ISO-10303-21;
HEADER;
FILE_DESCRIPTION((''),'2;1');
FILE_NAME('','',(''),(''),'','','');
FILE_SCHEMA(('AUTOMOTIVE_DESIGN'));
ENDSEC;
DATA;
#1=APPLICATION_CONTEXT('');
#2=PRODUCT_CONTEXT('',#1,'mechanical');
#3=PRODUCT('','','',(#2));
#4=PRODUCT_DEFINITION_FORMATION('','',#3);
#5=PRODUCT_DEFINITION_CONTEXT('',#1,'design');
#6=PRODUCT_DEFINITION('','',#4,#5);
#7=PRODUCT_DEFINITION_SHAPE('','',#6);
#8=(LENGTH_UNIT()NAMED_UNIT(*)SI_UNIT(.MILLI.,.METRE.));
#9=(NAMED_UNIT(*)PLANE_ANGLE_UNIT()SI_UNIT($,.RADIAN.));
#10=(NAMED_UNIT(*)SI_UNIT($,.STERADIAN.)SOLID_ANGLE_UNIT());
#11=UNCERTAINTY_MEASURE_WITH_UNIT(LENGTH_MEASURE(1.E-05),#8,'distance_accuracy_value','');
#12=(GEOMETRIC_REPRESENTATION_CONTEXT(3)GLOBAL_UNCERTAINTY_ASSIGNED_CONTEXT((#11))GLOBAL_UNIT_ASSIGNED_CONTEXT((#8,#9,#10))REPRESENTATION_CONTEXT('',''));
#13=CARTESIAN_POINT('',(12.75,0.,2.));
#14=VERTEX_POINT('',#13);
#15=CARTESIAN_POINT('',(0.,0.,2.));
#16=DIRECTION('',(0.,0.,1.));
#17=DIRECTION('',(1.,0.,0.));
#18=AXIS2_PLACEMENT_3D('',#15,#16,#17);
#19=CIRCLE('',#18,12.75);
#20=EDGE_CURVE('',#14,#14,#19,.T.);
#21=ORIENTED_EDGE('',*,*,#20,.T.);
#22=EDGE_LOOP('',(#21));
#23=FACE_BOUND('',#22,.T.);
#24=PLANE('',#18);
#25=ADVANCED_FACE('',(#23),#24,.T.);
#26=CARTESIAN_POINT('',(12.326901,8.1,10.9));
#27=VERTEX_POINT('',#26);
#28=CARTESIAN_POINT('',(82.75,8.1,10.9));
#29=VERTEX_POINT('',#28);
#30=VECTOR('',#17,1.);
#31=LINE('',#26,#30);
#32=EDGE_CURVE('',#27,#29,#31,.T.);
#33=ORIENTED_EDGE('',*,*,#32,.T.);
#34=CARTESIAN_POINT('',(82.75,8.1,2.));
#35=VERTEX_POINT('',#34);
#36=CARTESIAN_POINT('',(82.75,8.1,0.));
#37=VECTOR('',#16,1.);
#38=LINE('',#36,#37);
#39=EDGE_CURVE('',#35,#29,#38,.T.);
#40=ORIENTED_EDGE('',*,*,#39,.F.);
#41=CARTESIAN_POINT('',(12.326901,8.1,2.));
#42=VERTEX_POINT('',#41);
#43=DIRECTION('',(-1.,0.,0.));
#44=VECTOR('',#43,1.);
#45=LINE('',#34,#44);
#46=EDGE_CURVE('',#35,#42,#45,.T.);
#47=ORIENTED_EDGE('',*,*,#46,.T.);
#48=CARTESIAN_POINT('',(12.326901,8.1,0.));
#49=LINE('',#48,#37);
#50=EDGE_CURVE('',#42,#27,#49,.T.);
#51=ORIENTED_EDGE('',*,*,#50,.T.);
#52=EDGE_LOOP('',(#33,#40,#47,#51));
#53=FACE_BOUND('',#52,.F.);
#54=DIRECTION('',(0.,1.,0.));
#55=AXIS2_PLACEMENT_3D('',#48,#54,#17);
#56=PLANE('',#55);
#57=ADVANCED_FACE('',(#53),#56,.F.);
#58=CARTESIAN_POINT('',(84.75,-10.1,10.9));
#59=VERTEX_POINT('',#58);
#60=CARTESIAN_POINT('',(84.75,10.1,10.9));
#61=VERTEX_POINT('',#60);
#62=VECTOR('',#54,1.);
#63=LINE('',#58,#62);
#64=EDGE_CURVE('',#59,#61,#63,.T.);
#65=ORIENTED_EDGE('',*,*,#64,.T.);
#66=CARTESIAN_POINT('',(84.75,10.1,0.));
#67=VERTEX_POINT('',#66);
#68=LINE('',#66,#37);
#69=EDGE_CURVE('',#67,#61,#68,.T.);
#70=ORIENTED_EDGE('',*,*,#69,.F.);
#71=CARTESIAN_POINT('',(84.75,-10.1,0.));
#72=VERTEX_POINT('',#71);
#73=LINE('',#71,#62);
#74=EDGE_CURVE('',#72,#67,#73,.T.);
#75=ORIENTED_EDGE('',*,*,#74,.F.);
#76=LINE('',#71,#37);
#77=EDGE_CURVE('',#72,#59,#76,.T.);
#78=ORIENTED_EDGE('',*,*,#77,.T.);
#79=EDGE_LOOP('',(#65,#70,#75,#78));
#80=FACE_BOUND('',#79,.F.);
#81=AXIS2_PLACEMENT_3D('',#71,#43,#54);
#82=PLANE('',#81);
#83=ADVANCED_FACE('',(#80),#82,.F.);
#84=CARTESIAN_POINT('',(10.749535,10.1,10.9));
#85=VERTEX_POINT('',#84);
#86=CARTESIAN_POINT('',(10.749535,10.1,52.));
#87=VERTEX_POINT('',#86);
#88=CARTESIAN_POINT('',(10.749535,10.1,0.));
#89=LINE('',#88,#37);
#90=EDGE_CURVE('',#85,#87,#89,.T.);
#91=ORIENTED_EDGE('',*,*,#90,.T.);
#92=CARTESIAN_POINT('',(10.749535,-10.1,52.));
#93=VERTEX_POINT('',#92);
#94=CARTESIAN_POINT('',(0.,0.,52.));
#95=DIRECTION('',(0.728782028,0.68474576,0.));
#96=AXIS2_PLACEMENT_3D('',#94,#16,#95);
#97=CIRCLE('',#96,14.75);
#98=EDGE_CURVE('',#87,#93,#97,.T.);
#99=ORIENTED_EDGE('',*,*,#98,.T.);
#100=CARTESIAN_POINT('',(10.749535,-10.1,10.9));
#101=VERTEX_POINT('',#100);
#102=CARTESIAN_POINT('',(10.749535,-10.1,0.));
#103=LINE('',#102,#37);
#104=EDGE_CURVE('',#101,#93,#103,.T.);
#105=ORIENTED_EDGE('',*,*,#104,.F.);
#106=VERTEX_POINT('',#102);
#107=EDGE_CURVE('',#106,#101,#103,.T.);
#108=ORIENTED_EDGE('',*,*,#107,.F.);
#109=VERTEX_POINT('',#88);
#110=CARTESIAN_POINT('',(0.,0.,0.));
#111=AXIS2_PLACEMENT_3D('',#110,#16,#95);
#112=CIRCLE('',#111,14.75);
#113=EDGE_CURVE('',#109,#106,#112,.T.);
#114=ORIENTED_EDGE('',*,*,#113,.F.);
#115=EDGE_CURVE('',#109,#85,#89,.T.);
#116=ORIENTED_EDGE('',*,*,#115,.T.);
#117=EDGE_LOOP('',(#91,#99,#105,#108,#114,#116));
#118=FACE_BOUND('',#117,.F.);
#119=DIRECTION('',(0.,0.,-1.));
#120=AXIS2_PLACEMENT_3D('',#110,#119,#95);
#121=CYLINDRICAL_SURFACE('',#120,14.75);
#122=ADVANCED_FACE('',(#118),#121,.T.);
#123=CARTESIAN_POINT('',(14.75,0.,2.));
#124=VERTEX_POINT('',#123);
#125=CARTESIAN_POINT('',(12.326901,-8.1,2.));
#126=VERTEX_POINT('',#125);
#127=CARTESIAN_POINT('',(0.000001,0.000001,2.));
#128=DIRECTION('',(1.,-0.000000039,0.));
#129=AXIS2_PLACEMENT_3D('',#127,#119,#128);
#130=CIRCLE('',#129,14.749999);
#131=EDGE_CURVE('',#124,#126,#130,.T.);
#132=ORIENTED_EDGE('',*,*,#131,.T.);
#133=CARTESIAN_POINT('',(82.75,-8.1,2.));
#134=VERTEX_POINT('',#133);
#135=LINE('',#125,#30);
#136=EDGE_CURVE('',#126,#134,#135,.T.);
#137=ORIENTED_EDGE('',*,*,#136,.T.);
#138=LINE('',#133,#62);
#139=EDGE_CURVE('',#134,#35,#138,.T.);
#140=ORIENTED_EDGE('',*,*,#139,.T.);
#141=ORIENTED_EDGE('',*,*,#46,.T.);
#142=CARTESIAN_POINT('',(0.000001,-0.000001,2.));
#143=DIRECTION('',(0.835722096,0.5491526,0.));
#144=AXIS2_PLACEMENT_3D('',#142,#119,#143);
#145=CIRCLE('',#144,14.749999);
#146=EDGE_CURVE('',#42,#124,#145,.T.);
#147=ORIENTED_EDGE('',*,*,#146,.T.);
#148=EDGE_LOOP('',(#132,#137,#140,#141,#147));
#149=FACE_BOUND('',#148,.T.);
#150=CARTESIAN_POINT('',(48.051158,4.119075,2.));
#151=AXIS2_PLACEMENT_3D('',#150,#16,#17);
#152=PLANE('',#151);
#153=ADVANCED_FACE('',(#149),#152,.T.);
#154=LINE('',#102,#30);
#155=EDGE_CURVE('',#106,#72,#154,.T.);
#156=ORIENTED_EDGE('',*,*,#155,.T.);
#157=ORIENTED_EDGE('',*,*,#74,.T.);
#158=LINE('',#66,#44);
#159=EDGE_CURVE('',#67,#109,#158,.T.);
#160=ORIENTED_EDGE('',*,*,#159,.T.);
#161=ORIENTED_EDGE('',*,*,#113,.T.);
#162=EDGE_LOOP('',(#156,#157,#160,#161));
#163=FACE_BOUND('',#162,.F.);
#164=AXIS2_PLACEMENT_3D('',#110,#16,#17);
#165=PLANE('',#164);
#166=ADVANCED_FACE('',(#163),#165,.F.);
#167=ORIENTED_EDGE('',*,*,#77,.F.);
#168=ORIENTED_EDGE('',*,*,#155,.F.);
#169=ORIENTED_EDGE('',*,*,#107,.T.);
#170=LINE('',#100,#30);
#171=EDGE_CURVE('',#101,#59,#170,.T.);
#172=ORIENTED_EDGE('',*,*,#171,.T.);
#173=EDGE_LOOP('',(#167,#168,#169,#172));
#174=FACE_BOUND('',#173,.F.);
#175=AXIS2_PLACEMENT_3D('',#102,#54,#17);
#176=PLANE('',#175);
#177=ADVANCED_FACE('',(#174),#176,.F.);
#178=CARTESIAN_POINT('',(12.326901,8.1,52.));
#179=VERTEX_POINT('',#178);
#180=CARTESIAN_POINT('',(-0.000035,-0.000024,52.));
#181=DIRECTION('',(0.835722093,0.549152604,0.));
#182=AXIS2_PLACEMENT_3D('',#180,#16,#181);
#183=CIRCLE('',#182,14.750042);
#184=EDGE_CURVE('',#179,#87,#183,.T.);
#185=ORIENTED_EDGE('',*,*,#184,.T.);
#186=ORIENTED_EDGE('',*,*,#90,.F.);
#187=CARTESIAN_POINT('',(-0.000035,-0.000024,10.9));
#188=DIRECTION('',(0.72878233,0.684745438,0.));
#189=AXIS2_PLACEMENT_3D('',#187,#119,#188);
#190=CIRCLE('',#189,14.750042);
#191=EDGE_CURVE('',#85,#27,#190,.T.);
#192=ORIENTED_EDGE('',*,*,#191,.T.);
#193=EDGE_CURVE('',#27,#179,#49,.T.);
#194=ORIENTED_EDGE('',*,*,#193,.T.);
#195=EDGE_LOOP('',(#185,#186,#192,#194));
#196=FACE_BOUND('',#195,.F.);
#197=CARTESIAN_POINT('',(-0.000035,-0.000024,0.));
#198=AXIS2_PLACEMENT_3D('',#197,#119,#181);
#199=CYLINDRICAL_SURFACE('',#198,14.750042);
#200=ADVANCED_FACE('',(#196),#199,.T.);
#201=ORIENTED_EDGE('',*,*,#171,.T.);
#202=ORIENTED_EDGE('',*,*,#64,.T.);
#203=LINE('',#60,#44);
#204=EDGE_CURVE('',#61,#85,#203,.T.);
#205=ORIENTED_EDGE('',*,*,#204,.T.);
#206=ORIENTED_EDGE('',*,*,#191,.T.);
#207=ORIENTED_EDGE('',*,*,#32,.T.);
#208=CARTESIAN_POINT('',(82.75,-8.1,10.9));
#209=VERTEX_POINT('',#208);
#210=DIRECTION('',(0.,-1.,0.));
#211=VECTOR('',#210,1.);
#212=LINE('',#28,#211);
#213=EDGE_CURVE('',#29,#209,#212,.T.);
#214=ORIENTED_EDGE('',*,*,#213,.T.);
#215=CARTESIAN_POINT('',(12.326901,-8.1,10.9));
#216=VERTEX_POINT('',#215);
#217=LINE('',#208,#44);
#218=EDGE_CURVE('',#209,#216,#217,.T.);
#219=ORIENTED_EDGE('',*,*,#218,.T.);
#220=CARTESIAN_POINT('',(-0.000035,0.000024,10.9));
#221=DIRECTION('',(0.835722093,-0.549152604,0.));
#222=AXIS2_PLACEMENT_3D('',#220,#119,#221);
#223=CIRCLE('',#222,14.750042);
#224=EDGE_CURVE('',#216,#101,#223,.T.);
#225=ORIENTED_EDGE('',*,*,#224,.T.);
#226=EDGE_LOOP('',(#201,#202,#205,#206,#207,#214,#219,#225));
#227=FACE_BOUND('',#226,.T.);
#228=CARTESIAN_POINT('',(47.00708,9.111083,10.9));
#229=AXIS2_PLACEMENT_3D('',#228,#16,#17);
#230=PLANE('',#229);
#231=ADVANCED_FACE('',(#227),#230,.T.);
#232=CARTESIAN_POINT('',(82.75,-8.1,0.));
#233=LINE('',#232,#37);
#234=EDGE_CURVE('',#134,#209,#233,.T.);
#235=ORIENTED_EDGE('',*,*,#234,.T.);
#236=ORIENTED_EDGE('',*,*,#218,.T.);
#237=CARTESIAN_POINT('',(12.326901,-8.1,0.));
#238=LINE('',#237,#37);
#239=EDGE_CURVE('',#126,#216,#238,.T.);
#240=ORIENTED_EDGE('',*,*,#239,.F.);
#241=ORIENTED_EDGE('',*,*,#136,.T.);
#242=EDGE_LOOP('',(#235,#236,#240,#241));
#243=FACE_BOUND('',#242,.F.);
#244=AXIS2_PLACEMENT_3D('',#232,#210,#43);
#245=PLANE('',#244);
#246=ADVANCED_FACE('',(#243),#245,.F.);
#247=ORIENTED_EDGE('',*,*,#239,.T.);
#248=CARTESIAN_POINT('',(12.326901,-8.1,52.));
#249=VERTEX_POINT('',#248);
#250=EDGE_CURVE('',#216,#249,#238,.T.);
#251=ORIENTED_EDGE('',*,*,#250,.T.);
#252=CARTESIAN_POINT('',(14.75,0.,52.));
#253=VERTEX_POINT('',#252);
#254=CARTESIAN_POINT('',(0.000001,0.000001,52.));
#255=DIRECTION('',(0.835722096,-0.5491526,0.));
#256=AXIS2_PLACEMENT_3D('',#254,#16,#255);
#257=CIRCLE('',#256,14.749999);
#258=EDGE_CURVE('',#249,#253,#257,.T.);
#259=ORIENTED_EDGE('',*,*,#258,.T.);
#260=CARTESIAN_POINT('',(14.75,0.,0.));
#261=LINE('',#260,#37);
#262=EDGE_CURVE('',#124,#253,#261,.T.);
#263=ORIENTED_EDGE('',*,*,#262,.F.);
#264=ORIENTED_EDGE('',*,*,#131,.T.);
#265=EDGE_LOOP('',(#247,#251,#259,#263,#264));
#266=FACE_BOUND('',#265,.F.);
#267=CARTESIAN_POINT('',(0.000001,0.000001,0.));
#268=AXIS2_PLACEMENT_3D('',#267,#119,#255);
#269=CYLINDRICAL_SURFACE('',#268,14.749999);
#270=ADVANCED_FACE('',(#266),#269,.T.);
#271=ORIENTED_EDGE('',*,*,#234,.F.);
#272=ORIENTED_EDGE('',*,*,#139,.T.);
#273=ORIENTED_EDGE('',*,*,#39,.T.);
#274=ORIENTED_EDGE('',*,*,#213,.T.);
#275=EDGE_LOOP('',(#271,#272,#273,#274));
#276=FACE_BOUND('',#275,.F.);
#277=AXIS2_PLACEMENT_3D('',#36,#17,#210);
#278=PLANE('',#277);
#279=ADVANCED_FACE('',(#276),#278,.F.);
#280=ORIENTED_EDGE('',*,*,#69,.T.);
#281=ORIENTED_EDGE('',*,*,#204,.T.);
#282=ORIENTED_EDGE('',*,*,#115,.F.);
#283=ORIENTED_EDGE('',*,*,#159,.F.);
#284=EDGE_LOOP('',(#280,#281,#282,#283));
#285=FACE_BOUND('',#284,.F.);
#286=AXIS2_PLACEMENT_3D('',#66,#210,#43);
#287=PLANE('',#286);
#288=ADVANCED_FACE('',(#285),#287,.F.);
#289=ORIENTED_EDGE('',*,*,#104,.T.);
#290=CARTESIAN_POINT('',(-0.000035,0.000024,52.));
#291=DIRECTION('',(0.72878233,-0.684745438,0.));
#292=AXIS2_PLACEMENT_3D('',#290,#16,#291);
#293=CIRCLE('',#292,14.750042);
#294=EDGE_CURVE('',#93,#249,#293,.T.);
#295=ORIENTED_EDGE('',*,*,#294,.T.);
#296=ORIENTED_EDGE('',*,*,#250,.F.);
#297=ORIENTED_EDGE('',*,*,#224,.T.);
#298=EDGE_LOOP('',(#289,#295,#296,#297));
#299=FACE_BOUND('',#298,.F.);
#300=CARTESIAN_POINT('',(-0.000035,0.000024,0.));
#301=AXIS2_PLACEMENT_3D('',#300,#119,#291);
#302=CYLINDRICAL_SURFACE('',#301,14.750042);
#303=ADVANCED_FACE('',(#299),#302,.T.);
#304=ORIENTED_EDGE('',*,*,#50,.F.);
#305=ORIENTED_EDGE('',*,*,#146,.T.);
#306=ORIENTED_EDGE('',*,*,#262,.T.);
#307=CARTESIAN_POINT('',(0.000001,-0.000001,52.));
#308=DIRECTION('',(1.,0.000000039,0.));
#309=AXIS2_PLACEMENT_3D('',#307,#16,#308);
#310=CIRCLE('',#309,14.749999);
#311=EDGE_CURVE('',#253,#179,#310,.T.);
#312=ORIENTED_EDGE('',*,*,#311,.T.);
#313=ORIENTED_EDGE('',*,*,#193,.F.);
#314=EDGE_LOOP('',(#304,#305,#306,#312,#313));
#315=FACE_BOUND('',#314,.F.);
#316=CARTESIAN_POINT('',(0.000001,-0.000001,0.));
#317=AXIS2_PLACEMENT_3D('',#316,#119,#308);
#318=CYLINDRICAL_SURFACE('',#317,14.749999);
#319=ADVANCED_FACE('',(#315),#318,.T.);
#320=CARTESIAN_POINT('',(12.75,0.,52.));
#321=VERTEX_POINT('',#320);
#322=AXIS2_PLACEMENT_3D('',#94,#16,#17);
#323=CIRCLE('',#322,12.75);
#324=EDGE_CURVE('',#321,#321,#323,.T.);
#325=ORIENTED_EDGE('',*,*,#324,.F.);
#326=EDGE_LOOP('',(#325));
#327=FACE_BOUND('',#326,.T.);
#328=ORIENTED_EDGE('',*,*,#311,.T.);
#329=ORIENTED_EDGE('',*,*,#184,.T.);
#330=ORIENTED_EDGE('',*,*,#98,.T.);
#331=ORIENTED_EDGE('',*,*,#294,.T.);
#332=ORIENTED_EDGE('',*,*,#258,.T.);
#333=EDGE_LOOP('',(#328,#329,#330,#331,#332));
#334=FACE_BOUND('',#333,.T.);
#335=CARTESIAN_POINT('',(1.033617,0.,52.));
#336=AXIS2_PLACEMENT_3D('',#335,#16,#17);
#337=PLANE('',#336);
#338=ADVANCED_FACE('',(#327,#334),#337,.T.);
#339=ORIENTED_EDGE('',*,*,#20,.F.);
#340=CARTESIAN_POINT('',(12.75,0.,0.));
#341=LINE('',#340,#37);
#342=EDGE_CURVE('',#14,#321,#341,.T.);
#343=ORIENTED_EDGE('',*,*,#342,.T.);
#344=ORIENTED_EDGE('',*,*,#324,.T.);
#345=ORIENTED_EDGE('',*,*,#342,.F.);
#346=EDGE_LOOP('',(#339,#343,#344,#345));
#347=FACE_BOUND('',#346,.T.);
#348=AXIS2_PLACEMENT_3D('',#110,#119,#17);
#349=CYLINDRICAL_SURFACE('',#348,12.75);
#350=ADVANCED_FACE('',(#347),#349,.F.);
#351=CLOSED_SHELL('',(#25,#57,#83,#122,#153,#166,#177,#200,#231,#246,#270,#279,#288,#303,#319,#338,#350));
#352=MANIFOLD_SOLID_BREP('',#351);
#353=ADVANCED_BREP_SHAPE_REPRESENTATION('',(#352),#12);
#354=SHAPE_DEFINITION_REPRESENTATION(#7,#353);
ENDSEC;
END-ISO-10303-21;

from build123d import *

# Parameters (mm, degrees)
F1_DEPTH = 10.9
F0_R     = 12.75
F2_DEPTH = 52
F3_DEPTH = 2
F4_DEPTH = 2


with BuildPart() as f1:
    # F0 (on Top) → F1 (new body)
    with BuildSketch(Plane.XY):
        with BuildLine():
            ThreePointArc((10.749535, 10.1), (11.581471, 9.134113), (12.326901, 8.1))
            Line((12.326901, 8.1), (82.75, 8.1))
            Line((82.75, 8.1), (82.75, 10.1))
            Line((82.75, 10.1), (10.749535, 10.1))
        make_face()
        Polygon((82.75, 8.1), (82.75, 0), (82.75, -8.1), (82.75, -10.1), (84.75, -10.1), (84.75, 10.1), (82.75, 10.1), align=None)
        with BuildLine():
            Line((82.75, -8.1), (12.326901, -8.1))
            ThreePointArc((12.326901, -8.1), (11.581471, -9.134113), (10.749535, -10.1))
            Line((10.749535, -10.1), (82.75, -10.1))
            Line((82.75, -10.1), (82.75, -8.1))
        make_face()
    extrude(amount=F1_DEPTH)

    # F0 (on Top) → F2 (join)
    with BuildSketch(Plane.XY):
        with BuildLine():
            ThreePointArc((12.326901, -8.1), (14.131247, -4.227334), (14.75, 0))
            ThreePointArc((14.75, 0), (14.131247, 4.227334), (12.326901, 8.1))
            ThreePointArc((12.326901, 8.1), (11.581471, 9.134113), (10.749535, 10.1))
            ThreePointArc((10.749535, 10.1), (-14.75, 0), (10.749535, -10.1))
            ThreePointArc((10.749535, -10.1), (11.581471, -9.134113), (12.326901, -8.1))
        make_face()
        Circle(F0_R, mode=Mode.SUBTRACT)
    extrude(amount=F2_DEPTH)

    # F0 (on Top) → F3 (join)
    with BuildSketch(Plane.XY):
        with BuildLine():
            ThreePointArc((12.326901, 8.1), (14.131247, 4.227334), (14.75, 0))
            Line((14.75, 0), (82.75, 0))
            Line((82.75, 0), (82.75, 8.1))
            Line((82.75, 8.1), (12.326901, 8.1))
        make_face()
        with BuildLine():
            Line((82.75, 0), (14.75, 0))
            ThreePointArc((14.75, 0), (14.131247, -4.227334), (12.326901, -8.1))
            Line((12.326901, -8.1), (82.75, -8.1))
            Line((82.75, -8.1), (82.75, 0))
        make_face()
    extrude(amount=F3_DEPTH)

    # F0 (on Top) → F4 (join)
    with BuildSketch(Plane.XY):
        Circle(F0_R)
    extrude(amount=F4_DEPTH)


solid = f1.part
